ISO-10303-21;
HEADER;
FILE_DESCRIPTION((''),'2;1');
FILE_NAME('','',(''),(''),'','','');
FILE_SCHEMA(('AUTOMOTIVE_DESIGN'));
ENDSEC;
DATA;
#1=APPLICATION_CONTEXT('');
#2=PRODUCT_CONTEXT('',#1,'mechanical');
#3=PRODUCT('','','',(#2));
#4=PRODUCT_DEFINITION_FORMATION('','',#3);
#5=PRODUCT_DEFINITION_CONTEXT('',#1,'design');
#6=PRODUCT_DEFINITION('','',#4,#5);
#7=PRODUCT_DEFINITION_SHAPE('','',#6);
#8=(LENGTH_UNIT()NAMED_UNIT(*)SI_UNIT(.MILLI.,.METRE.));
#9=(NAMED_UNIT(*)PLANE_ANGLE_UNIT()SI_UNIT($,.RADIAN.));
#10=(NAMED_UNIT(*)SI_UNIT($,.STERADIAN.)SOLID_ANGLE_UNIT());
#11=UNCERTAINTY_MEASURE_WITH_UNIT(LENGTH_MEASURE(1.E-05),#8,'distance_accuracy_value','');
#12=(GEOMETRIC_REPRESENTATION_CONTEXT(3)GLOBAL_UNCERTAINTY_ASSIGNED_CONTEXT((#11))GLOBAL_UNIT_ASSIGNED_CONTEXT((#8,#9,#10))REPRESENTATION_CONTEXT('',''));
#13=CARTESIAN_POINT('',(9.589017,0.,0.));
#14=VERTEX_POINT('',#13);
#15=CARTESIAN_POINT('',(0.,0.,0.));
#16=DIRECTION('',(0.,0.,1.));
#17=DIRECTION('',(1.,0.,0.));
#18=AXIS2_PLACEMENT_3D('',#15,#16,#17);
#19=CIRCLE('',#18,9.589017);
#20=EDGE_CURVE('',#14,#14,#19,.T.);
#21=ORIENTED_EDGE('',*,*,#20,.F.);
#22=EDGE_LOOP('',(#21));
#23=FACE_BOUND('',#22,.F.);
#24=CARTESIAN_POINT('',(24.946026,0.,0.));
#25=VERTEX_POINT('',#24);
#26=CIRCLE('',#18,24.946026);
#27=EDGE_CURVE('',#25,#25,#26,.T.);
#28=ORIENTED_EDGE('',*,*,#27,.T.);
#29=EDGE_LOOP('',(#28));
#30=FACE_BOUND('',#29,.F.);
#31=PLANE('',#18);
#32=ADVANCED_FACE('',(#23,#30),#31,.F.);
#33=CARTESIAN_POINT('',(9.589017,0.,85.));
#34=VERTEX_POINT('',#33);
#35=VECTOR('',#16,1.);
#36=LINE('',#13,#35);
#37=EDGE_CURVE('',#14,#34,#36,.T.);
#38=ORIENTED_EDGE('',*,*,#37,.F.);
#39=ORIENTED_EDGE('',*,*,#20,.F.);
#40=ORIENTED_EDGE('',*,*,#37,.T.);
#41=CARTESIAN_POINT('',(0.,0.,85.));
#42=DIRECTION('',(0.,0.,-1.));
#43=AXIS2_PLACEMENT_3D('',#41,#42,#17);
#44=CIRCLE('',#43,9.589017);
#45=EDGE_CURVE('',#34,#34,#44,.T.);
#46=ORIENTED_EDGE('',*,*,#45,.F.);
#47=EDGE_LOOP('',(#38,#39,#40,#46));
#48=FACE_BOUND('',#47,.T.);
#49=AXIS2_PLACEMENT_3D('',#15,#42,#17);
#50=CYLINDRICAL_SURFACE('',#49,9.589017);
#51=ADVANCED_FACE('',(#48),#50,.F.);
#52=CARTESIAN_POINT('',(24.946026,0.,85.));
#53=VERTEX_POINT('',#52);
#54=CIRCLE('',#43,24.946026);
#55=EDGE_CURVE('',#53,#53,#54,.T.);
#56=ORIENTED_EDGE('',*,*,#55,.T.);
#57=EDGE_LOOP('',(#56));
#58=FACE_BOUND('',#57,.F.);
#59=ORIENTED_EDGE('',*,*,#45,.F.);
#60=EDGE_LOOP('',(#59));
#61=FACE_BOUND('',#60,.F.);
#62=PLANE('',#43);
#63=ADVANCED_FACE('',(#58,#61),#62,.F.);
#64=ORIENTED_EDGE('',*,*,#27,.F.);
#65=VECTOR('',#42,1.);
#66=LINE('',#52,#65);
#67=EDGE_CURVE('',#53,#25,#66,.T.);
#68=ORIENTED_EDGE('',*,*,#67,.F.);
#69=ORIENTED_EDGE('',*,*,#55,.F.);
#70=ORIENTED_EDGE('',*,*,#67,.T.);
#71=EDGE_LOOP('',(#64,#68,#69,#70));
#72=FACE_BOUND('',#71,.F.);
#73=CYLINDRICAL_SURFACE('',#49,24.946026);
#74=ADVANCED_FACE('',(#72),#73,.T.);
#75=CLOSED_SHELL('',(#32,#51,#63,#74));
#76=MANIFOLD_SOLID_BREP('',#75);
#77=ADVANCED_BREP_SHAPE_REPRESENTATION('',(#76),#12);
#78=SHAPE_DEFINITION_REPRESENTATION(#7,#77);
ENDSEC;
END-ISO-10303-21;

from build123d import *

# Parameters (mm, degrees)
F0_R      = 24.946026
F1_DEPTH  = 75.1
F2_R      = 9.571884
F2_R_2    = 24.946026
F1_FACE_R = 24.946026
F3_DEPTH  = 85
F4_R      = 9.504861
F5_DEPTH  = 84.9
F6_R      = 9.521751
F7_DEPTH  = 84.7
F8_R      = 9.589017
F9_DEPTH  = 94.3


with BuildPart() as f1:
    # F0 (on Top) → F1 (new body)
    with BuildSketch(Plane.XY):
        Circle(F0_R)
    extrude(amount=F1_DEPTH)

    # F2 (on face) + F1_face (on face) → F3 (join)
    with BuildSketch(Plane(origin=(0, 0, 0), x_dir=(1, 0, 0), z_dir=(0, 0, -1))):
        Circle(F2_R)
        Circle(F2_R_2)
        Circle(F2_R, mode=Mode.SUBTRACT)
    with BuildSketch(Plane(origin=(0, 0, 0), x_dir=(1, 0, 0), z_dir=(0, 0, -1))):
        Circle(F1_FACE_R)
    extrude(amount=-F3_DEPTH)

    # F4 (on face) → F5 (join)
    with BuildSketch(Plane.XY.offset(85)):
        Circle(F4_R)
    extrude(amount=-F5_DEPTH)

    # F6 (on face) → F7 (join)
    with BuildSketch(Plane(origin=(0, 0, 0), x_dir=(1, 0, 0), z_dir=(0, 0, -1))):
        Circle(F6_R)
    extrude(amount=-F7_DEPTH)

    # F8 (on Top) → F9 (cut)
    with BuildSketch(Plane.XY):
        Circle(F8_R)
    extrude(amount=F9_DEPTH, mode=Mode.SUBTRACT)


solid = f1.part
